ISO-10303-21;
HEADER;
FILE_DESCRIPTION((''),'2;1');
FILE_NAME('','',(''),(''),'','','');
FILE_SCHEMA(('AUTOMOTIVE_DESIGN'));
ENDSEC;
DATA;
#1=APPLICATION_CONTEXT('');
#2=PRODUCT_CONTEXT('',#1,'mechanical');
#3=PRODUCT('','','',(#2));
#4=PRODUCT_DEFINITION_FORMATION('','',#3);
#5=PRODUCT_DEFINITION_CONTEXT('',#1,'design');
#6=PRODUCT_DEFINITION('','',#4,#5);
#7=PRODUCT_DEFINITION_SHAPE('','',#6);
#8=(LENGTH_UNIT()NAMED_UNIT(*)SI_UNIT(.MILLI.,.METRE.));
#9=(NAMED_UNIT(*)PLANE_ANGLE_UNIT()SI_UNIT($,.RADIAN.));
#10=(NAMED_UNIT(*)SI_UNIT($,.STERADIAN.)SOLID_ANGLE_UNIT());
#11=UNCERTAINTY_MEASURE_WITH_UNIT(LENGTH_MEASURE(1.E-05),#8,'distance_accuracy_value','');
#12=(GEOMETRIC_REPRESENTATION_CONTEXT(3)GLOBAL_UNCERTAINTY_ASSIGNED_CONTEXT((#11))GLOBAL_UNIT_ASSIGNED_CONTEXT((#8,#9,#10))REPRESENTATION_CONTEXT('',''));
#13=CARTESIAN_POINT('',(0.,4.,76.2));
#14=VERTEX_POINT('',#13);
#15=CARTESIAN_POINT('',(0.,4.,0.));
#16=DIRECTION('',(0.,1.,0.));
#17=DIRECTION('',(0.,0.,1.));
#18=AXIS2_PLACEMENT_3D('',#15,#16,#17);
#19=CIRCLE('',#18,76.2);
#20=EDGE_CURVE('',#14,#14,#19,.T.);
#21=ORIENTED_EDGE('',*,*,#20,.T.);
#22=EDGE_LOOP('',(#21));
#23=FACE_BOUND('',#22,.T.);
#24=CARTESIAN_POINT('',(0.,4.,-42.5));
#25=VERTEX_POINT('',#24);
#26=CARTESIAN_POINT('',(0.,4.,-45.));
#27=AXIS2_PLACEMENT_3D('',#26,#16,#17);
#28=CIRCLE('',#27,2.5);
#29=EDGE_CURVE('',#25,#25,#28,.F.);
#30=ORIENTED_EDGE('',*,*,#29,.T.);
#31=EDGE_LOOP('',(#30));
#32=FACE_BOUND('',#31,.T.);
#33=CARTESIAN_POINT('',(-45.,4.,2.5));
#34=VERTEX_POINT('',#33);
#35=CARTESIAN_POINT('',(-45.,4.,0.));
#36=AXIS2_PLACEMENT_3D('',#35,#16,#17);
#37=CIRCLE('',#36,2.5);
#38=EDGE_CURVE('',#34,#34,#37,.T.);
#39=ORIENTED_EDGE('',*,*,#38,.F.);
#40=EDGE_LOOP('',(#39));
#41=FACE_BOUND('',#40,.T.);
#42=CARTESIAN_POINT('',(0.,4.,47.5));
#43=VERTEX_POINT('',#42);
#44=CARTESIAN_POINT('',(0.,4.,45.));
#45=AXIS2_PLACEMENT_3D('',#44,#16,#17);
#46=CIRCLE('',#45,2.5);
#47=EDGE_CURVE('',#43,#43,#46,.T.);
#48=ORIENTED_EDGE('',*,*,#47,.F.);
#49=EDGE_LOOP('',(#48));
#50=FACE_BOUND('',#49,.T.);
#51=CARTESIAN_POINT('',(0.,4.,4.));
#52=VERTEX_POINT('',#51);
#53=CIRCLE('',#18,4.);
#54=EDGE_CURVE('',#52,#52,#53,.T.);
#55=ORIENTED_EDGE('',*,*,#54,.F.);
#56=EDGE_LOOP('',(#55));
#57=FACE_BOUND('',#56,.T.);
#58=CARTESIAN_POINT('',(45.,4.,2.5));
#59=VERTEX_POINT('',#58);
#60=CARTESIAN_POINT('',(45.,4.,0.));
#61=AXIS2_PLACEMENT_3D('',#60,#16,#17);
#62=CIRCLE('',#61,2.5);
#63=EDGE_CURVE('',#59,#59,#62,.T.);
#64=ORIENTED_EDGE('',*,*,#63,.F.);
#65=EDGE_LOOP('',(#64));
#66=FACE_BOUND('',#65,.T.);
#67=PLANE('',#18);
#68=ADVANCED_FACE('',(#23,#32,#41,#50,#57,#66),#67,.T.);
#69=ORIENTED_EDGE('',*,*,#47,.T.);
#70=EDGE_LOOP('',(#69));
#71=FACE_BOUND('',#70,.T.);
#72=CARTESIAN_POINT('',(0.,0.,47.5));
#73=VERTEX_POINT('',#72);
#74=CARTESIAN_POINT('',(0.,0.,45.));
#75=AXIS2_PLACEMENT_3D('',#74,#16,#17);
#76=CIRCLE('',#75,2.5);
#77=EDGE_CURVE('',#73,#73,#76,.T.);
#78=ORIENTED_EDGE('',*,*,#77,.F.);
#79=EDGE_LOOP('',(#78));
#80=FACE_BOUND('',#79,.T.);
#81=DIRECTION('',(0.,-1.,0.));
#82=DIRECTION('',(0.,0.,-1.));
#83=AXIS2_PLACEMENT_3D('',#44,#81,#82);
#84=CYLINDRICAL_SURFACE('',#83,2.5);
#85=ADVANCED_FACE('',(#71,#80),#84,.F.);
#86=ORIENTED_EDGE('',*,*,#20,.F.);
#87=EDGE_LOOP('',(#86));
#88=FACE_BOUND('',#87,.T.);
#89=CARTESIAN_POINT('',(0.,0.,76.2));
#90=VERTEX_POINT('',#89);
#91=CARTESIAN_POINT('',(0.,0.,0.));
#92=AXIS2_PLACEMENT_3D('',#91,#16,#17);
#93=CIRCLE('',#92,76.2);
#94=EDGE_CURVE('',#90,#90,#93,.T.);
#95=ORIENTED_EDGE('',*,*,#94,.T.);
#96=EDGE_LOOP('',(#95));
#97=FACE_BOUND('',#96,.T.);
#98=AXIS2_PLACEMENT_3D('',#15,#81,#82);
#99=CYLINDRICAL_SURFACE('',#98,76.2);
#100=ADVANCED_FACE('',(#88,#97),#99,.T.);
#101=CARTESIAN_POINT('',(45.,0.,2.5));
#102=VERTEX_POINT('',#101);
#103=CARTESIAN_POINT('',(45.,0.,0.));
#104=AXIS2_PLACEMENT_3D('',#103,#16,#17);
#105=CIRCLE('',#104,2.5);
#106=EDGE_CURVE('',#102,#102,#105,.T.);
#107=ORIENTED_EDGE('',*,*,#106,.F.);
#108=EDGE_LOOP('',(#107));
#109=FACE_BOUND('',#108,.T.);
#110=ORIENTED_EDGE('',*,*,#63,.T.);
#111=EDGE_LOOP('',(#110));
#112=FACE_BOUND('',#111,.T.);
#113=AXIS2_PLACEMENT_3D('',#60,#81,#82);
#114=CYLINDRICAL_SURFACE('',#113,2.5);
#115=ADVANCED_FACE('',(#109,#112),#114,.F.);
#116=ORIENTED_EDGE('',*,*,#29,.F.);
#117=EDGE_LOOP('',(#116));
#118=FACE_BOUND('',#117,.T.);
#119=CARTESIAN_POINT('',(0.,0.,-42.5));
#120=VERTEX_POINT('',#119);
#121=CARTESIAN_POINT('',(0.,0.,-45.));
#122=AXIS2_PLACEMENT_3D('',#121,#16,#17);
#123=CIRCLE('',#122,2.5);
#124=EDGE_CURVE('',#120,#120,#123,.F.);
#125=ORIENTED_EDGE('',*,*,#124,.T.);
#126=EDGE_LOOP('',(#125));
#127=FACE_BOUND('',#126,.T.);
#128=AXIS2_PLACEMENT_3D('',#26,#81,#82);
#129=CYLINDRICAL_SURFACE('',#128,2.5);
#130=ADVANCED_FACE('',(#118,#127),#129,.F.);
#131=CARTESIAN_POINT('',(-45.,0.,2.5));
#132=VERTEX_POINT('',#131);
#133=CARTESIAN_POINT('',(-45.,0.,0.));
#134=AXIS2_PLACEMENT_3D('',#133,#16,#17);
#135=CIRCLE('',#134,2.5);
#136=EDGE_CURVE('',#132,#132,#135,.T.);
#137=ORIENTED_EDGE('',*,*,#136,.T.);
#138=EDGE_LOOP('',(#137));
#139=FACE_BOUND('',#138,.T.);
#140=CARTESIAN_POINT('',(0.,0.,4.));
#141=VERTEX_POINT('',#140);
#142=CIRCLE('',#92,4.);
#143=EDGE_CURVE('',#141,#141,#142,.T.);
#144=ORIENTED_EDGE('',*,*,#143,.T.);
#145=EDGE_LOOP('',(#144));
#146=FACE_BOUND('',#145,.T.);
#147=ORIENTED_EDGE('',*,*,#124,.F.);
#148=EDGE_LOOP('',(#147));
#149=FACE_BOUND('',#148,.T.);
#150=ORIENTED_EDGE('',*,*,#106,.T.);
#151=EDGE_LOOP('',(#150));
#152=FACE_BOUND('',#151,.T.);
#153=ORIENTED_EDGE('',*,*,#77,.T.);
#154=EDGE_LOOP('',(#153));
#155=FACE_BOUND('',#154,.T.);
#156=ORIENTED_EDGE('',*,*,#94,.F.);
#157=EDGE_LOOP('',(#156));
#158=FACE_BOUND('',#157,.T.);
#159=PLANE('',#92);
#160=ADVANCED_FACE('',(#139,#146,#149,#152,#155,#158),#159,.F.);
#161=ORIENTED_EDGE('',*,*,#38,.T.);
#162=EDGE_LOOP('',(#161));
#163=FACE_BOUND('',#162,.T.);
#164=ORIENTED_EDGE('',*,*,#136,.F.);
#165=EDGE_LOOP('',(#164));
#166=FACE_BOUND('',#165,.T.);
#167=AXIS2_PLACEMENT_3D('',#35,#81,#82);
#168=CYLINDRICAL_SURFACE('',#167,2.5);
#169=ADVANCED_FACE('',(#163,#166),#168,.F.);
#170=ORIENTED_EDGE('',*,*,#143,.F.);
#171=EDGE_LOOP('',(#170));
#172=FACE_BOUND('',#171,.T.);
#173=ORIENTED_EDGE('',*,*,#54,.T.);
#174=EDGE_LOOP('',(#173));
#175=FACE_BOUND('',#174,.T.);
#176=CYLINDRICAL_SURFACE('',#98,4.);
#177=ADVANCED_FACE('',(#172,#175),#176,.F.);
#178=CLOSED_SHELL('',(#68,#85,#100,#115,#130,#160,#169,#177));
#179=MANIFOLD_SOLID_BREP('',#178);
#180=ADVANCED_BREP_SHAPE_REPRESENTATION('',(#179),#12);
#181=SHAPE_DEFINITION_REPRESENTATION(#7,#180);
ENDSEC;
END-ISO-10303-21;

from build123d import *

# Parameters (mm, degrees)
SKETCH1_R           = 76.2
SKETCH1_R_2         = 2.5
SKETCH1_R_3         = 4
BOSS_EXTRUDE1_DEPTH = 4


with BuildPart() as part:
    # Sketch1 → Boss-Extrude1 (new body)
    with BuildSketch(Plane(origin=(0, 0, 0), x_dir=(1, 0, 0), z_dir=(0, 1, 0))):
        with Locations(Location((0, 0, 0), (0, 0, 270))):
            Circle(SKETCH1_R)
        with Locations(Location((-45, 0, 0), (0, 0, 270))):
            Circle(SKETCH1_R_2, mode=Mode.SUBTRACT)
        with Locations(Location((45, 0, 0), (0, 0, 270))):
            Circle(SKETCH1_R_2, mode=Mode.SUBTRACT)
        with Locations(Location((0, 0, 0), (0, 0, 270))):
            Circle(SKETCH1_R_3, mode=Mode.SUBTRACT)
        with Locations(Location((0, -45, 0), (0, 0, 270))):
            Circle(SKETCH1_R_2, mode=Mode.SUBTRACT)
        with Locations(Location((0, 45, 0), (0, 0, 270))):
            Circle(SKETCH1_R_2, mode=Mode.SUBTRACT)
    extrude(amount=BOSS_EXTRUDE1_DEPTH)


solid = part.part
